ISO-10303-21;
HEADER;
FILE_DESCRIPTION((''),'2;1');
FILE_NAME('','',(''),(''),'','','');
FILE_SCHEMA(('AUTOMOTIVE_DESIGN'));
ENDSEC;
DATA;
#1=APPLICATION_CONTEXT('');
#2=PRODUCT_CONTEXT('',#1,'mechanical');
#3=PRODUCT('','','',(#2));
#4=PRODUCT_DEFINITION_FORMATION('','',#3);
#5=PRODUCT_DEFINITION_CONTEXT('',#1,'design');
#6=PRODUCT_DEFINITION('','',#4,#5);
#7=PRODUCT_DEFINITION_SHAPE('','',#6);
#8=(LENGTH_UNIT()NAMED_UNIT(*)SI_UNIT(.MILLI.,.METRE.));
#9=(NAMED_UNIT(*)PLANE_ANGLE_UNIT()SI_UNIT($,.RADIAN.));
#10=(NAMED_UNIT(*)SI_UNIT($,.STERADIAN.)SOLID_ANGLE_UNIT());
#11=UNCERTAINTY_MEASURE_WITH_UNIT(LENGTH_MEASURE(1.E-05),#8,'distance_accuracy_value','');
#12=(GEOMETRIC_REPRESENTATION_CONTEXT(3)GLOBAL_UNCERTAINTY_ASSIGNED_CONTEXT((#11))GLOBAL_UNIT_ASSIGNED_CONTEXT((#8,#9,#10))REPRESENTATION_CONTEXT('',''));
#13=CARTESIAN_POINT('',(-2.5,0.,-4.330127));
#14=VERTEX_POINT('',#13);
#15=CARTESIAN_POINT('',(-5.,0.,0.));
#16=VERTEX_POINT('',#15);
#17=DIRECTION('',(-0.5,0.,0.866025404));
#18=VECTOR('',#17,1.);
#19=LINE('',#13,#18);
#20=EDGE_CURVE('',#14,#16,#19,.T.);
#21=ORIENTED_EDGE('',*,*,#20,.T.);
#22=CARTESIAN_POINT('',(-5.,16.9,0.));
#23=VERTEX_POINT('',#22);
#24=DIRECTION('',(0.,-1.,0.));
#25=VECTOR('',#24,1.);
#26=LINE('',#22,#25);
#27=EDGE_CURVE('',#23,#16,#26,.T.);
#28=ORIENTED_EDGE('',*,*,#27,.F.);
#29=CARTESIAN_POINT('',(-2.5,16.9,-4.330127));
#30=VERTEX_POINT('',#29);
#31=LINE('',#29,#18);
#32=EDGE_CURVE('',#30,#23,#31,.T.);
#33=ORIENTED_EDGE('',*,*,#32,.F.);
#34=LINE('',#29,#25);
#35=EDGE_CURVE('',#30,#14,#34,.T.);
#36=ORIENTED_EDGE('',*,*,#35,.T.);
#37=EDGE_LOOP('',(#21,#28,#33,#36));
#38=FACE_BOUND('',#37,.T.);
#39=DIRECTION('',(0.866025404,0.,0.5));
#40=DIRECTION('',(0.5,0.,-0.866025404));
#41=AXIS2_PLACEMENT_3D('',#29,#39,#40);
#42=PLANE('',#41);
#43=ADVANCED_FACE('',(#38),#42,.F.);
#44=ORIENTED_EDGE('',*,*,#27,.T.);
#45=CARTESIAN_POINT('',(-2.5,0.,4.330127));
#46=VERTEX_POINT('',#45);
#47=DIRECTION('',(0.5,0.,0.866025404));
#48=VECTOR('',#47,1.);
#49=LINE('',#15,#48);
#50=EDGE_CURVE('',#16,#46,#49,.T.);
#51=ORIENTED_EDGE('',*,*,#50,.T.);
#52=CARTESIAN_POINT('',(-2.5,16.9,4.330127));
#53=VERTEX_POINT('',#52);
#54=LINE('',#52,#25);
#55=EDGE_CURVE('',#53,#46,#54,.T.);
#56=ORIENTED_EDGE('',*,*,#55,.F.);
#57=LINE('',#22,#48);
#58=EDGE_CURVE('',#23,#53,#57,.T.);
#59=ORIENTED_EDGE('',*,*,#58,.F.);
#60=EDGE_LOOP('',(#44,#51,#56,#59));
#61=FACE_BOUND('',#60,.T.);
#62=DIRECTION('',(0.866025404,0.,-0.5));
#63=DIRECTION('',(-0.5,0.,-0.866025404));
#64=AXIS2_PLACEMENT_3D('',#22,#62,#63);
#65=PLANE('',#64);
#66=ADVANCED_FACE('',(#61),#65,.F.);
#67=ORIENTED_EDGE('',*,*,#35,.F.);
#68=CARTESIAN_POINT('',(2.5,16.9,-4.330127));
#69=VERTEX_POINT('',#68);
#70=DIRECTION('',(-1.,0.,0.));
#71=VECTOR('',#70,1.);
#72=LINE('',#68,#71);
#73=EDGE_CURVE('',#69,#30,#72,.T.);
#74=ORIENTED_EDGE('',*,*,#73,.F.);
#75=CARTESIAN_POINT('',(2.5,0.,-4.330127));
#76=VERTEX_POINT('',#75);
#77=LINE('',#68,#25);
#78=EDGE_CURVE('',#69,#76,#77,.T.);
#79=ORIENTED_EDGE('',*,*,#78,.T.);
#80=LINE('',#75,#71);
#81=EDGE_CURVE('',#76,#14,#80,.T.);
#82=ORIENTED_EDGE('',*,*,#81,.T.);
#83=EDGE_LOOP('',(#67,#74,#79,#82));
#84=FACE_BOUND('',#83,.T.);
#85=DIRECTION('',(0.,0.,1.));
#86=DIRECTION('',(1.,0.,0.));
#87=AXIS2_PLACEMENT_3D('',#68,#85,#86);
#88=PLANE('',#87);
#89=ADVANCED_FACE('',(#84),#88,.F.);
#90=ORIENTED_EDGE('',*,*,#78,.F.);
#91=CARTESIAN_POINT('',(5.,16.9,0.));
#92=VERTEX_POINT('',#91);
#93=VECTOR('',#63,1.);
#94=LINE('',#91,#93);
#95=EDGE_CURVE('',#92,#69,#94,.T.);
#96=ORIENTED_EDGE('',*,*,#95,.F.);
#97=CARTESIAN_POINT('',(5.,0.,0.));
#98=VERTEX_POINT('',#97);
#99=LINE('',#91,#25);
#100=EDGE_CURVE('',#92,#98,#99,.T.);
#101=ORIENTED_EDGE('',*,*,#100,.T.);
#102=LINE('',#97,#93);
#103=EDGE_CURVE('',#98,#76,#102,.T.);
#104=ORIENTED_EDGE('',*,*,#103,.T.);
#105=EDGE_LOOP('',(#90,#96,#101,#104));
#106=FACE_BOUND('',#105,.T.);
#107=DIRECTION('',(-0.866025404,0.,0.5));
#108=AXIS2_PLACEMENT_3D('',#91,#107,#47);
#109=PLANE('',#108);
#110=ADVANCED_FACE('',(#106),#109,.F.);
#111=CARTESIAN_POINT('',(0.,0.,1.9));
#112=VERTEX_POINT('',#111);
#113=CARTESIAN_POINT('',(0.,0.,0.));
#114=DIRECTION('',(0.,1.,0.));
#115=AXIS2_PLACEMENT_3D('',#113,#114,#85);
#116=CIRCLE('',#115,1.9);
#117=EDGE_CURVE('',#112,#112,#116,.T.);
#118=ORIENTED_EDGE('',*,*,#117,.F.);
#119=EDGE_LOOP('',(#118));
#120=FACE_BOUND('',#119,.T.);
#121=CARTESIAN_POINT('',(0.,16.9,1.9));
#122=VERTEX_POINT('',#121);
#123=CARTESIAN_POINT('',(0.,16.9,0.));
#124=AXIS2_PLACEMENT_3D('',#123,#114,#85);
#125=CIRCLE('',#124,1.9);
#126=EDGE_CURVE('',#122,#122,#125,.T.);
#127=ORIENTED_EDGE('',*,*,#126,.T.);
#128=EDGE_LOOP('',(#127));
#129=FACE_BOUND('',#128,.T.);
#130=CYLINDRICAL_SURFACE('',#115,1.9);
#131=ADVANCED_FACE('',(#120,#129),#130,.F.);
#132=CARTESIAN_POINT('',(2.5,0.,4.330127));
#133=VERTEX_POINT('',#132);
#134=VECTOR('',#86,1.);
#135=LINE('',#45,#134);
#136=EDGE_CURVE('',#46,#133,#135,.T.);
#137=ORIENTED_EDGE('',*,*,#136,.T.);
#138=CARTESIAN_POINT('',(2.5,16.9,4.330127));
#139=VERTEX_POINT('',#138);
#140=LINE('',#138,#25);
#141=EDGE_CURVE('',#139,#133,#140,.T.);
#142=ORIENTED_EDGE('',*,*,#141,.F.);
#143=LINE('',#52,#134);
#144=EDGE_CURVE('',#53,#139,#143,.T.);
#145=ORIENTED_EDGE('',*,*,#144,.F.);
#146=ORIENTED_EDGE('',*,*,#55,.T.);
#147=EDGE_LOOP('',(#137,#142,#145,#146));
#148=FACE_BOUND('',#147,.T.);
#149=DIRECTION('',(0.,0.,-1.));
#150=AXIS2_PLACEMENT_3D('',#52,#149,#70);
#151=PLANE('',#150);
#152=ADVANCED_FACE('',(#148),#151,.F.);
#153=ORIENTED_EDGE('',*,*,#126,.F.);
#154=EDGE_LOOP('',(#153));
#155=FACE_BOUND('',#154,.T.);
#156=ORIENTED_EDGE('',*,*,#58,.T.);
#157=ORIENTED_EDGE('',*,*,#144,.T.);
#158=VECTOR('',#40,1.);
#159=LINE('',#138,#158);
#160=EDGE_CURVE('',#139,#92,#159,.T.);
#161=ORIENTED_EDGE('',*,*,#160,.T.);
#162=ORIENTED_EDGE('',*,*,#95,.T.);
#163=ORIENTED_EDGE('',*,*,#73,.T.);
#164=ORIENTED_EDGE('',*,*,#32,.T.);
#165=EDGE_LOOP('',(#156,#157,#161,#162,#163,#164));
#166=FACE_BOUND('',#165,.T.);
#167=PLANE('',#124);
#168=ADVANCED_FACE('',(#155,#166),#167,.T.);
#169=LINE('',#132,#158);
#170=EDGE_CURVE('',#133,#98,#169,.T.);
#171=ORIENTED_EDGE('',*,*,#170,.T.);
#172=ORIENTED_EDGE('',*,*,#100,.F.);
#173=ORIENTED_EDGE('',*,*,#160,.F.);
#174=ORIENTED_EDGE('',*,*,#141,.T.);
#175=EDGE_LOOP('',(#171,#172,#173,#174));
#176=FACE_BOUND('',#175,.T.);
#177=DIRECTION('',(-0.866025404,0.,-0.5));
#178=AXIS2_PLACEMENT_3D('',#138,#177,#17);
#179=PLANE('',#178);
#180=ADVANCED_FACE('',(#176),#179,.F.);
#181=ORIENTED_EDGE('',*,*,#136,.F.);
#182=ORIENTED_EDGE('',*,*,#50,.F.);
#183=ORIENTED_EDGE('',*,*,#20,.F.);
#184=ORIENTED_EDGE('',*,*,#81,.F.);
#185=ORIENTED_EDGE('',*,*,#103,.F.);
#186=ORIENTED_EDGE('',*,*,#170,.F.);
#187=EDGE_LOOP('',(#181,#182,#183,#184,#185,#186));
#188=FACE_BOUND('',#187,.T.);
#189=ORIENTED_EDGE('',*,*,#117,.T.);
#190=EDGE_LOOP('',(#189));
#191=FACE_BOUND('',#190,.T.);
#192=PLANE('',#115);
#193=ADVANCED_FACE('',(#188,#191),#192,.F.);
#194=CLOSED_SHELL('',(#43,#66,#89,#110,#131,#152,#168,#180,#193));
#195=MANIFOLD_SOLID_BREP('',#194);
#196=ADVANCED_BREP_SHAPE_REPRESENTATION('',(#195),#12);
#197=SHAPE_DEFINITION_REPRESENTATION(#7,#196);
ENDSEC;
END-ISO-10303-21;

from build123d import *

# Parameters (mm, degrees)
BOSS_EXTRUDE1_DEPTH = 16.9
SKETCH3_R           = 1.9
CUT_EXTRUDE1_DEPTH  = 17.9


with BuildPart() as part:
    # Sketch1 → Boss-Extrude1 (new body)
    with BuildSketch(Plane(origin=(0, 0, 0), x_dir=(1, 0, 0), z_dir=(0, 1, 0))):
        Polygon((5, 0), (2.5, 4.330127019), (-2.5, 4.330127019), (-5, 0), (-2.5, -4.330127019), (2.5, -4.330127019), align=None)
    extrude(amount=BOSS_EXTRUDE1_DEPTH)

    # Sketch3 → Cut-Extrude1 (cut, through all)
    with BuildSketch(Plane(origin=(0, 16.9, 0), x_dir=(1, 0, 0), z_dir=(0, 1, 0))):
        Circle(SKETCH3_R)
    extrude(amount=-CUT_EXTRUDE1_DEPTH, mode=Mode.SUBTRACT)


solid = part.part
